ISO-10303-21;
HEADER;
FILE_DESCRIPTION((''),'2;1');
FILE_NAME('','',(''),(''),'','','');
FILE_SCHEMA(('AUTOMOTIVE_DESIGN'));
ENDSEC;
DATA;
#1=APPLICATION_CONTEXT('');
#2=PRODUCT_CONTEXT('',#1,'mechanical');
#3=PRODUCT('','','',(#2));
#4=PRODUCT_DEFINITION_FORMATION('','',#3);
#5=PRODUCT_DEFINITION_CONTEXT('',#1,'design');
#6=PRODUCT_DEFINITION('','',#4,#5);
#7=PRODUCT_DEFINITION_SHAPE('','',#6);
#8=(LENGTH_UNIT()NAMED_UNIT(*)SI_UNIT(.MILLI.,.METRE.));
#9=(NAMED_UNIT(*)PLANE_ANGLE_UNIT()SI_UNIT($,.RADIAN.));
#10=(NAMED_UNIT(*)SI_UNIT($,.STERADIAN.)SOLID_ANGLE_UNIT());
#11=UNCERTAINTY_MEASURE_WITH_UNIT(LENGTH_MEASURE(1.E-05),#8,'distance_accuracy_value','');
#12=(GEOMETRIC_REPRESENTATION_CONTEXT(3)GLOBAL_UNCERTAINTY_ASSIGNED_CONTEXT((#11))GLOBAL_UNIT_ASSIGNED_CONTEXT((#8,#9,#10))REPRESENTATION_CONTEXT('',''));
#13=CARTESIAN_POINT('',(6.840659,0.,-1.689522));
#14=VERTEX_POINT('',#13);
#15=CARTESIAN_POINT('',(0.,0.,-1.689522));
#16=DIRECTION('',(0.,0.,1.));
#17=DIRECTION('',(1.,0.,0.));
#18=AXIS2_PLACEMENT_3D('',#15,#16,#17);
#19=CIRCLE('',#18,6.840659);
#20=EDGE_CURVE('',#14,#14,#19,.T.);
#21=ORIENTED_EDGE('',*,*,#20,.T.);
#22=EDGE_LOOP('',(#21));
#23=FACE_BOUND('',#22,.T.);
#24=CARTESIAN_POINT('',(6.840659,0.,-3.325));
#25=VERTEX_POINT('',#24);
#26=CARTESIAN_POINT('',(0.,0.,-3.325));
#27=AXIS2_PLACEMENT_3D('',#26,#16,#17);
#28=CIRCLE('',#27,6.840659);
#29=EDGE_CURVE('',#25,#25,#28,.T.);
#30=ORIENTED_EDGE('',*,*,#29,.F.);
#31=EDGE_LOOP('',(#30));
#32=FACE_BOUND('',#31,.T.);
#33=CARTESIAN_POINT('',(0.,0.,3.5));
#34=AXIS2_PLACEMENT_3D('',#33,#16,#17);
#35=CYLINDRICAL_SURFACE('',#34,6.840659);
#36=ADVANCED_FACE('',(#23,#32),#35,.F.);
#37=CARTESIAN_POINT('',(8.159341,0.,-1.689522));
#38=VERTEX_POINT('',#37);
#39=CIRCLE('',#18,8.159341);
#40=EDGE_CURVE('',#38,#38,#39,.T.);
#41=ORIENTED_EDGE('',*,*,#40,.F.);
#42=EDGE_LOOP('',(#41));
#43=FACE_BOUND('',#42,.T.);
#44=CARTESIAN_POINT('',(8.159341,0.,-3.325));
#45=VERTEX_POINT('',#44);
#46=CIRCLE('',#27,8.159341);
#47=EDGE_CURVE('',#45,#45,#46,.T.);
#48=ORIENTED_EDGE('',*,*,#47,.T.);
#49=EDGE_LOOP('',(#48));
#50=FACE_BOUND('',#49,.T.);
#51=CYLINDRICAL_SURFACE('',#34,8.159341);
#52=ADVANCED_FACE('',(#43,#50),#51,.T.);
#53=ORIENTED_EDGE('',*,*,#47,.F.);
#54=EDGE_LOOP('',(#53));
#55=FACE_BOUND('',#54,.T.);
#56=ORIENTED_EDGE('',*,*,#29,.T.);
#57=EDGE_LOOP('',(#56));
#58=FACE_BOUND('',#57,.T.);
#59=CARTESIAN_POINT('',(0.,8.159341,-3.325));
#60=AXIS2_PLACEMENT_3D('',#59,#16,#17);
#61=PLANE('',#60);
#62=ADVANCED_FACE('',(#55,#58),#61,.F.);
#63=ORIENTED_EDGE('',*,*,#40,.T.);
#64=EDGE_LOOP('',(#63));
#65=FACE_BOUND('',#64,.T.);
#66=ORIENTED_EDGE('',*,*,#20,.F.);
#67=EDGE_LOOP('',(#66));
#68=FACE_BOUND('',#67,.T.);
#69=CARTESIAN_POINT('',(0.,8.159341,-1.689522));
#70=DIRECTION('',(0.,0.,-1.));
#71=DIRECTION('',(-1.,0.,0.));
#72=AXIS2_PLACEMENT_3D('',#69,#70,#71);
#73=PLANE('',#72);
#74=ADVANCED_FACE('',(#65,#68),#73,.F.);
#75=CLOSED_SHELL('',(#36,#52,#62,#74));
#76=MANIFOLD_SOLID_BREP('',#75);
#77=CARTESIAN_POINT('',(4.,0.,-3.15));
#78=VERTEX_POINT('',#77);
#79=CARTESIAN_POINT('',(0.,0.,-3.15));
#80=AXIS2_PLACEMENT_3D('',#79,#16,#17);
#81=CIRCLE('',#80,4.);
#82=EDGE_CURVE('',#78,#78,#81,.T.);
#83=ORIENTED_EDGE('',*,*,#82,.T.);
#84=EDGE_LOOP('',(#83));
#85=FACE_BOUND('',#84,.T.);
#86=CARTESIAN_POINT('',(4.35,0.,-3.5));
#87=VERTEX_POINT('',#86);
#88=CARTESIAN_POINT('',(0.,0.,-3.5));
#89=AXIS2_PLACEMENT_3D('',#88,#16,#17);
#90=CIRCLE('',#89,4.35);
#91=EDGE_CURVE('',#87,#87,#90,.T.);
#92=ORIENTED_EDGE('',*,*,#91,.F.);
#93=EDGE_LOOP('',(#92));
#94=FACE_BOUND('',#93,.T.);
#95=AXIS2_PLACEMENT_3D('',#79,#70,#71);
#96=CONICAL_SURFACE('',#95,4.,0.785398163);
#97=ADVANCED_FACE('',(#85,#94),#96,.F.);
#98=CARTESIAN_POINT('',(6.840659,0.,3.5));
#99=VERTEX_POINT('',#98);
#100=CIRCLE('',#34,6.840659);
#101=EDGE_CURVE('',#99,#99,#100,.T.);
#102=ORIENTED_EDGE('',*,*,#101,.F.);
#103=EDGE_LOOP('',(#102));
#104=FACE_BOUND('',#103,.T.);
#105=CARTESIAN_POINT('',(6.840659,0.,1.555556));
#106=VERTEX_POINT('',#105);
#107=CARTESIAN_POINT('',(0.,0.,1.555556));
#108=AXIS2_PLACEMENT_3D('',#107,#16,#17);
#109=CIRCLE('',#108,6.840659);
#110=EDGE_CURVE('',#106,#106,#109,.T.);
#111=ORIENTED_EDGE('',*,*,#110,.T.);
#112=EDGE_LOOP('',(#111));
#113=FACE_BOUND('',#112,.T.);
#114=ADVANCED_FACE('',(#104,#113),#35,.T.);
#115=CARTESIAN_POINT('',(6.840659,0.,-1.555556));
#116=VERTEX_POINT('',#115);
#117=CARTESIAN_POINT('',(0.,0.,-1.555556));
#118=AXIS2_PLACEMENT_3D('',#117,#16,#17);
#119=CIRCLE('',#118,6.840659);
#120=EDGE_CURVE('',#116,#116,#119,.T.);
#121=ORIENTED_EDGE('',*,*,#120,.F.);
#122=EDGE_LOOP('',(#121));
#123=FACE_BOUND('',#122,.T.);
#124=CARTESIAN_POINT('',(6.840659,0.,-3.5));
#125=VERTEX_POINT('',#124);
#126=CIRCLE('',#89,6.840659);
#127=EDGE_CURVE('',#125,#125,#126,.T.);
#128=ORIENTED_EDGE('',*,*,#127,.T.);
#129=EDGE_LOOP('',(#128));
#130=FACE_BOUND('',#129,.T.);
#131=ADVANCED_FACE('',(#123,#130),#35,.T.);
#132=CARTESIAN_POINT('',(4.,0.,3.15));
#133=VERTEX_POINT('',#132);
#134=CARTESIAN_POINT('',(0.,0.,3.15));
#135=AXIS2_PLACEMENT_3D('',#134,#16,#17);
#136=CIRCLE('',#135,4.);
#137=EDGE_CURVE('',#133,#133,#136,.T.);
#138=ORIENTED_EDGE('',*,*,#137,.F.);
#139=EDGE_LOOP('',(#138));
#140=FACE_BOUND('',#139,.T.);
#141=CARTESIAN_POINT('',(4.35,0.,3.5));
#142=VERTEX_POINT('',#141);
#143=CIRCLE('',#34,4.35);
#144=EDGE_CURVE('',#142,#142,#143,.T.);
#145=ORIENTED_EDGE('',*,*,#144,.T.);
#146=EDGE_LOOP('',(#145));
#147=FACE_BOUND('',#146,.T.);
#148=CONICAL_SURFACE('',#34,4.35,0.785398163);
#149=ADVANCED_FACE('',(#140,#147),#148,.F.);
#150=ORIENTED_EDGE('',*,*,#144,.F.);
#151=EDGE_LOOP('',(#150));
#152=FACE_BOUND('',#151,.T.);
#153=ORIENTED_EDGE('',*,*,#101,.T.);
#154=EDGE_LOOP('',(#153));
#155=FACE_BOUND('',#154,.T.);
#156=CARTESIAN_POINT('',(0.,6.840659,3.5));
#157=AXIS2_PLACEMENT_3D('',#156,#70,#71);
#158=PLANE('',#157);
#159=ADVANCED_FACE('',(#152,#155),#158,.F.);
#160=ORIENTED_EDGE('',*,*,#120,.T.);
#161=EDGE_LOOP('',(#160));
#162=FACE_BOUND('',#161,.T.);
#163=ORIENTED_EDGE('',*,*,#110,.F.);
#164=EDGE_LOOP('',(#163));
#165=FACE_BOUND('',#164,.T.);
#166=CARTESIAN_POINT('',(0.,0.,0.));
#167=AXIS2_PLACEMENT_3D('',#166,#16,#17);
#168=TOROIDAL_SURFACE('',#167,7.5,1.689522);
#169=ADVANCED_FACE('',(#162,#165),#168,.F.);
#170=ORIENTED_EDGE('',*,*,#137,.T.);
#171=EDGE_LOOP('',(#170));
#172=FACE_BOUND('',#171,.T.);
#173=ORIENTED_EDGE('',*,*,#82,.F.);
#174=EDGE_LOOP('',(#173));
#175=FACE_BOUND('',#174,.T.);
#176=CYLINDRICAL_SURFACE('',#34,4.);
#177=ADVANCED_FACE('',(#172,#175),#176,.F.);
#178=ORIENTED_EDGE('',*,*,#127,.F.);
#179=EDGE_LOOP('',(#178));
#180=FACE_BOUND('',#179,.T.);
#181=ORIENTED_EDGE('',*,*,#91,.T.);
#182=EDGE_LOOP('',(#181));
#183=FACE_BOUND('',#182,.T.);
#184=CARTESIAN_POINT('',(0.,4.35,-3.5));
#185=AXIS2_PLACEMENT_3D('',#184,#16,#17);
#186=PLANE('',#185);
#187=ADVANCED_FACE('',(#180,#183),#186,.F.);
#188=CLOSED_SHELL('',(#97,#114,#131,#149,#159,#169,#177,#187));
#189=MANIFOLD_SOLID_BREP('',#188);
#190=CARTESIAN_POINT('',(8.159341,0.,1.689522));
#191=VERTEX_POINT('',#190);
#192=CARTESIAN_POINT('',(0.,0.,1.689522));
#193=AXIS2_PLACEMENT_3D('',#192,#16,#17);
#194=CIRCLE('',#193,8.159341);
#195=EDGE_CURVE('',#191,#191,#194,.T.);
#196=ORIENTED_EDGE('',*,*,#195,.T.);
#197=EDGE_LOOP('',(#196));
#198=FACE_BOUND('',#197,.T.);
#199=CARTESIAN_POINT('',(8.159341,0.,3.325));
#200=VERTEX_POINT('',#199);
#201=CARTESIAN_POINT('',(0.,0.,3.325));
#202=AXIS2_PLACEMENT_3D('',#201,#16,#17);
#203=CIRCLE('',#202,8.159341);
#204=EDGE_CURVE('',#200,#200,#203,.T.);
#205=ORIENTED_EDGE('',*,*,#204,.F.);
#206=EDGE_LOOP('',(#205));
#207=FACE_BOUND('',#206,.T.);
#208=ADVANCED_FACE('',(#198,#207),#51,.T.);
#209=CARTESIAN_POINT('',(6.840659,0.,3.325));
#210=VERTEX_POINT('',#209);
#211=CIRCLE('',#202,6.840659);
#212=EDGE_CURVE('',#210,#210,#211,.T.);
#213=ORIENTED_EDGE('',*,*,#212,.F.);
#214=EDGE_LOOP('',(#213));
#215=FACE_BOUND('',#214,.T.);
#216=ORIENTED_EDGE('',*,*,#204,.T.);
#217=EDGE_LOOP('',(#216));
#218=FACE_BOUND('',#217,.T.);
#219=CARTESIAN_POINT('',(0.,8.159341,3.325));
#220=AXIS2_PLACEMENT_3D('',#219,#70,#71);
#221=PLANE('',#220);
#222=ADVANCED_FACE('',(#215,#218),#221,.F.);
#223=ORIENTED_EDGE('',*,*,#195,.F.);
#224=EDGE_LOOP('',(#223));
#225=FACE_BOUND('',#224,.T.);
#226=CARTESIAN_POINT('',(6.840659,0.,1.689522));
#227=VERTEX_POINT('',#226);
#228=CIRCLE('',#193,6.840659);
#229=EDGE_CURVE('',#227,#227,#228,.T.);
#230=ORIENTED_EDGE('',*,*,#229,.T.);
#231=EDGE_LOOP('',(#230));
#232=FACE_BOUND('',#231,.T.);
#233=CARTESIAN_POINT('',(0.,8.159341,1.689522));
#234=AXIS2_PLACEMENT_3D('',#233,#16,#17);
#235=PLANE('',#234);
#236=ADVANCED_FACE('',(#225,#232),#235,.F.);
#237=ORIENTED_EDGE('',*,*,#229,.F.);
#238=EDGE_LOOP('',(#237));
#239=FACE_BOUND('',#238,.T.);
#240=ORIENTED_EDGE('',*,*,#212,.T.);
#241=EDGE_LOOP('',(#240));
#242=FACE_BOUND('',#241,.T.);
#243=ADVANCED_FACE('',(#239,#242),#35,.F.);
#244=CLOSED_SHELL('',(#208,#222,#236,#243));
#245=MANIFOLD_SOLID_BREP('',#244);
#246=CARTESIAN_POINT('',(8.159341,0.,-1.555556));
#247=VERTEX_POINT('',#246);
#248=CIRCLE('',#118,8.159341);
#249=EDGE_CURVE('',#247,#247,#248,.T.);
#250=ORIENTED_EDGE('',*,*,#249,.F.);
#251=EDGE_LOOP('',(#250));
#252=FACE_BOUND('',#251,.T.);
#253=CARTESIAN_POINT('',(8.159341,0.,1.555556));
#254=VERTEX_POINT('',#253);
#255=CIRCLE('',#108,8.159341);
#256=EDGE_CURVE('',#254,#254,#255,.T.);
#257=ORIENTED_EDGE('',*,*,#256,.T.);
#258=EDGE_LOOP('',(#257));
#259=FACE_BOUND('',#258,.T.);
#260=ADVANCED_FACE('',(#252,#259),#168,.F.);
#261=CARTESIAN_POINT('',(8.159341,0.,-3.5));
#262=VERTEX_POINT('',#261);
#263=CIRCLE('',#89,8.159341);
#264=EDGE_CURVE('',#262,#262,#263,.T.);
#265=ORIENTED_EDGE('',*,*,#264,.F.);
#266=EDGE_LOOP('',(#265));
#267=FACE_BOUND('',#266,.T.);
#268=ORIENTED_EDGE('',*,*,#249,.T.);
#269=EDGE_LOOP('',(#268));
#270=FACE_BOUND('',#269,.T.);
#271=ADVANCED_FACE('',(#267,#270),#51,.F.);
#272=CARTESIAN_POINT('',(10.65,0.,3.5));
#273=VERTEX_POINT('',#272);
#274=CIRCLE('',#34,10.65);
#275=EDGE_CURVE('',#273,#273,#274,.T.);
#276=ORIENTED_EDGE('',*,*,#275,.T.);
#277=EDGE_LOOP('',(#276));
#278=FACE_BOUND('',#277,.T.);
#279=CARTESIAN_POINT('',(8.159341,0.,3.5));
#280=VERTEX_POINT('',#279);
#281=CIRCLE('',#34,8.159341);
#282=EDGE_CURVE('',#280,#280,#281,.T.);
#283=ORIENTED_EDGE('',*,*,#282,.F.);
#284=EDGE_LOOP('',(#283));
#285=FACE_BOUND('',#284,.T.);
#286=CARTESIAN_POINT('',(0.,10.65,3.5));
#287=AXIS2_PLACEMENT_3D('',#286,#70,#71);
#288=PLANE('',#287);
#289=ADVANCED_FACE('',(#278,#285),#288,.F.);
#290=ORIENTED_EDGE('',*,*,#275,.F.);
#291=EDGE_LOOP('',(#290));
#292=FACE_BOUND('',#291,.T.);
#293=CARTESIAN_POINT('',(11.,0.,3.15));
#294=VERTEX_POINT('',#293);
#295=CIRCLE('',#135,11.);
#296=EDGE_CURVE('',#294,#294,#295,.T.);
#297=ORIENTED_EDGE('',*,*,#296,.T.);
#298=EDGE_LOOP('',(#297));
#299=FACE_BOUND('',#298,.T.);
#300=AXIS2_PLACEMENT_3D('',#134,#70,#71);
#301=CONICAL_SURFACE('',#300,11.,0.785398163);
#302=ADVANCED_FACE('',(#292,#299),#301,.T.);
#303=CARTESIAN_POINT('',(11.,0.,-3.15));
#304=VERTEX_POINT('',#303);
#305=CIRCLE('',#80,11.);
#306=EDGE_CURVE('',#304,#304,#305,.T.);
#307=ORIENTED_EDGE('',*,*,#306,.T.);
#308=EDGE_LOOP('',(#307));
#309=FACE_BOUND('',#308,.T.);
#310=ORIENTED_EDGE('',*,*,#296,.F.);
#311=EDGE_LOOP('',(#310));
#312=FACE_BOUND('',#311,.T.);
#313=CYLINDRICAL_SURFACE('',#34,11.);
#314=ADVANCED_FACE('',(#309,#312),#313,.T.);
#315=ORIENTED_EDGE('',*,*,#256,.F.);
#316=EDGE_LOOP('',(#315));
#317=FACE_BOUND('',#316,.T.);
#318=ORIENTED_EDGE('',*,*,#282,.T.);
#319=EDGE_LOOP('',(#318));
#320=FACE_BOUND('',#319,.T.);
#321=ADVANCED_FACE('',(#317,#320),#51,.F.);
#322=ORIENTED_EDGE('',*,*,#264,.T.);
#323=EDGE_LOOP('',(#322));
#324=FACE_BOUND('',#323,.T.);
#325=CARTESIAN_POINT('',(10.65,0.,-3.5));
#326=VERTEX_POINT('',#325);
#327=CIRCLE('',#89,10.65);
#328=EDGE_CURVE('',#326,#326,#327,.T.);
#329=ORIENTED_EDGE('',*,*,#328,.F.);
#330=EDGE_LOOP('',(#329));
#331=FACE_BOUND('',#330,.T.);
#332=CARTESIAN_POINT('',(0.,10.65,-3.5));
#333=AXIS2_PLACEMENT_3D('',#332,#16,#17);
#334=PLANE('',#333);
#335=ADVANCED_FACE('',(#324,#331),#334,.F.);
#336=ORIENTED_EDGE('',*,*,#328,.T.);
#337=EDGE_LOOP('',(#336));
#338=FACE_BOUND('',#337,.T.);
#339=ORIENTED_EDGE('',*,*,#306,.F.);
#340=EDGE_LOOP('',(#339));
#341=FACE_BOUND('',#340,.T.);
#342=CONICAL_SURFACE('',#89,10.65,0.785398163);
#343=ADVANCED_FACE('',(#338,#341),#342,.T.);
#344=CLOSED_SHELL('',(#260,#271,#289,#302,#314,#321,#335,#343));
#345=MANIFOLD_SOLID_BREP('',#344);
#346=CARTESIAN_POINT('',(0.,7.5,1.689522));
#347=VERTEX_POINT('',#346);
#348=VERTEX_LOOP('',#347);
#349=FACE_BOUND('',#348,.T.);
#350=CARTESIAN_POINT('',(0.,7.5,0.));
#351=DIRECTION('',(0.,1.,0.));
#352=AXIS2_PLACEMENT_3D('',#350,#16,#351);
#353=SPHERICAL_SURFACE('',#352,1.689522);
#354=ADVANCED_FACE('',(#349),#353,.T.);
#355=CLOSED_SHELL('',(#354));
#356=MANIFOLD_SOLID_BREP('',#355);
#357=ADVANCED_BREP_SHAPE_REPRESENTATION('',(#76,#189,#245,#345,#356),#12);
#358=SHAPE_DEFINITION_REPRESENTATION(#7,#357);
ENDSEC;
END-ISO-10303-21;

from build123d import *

# Parameters (mm, degrees)
SKETCH6_W = 1.635478413
SKETCH6_H = 1.318681318


with BuildPart() as part:
    # Sketch1 → Revolve1 (revolve)
    with BuildSketch(Plane(origin=(0, 0, 0), x_dir=(0, 0, -1), z_dir=(1, 0, 0)), mode=Mode.PRIVATE) as revolve1_sk:
        with BuildLine():
            Line((3.15, 11), (-3.15, 11))
            Line((-3.15, 11), (-3.5, 10.65))
            Line((-3.5, 10.65), (-3.5, 8.159340659))
            Line((-3.5, 8.159340659), (-1.555555556, 8.159340659))
            ThreePointArc((-1.555555556, 8.159340659), (0, 9.189521587), (1.555555556, 8.159340659))
            Line((1.555555556, 8.159340659), (3.5, 8.159340659))
            Line((3.5, 8.159340659), (3.5, 10.65))
            Line((3.5, 10.65), (3.15, 11))
        make_face()
    revolve(revolve1_sk.sketch.rotate(Axis((0, 0, 3.5), (0, 0, -1)), 90), axis=Axis((0, 0, 3.5), (0, 0, -1)))


with BuildPart() as body_2:
    # Sketch3 → Revolve3 (revolve)
    with BuildSketch(Plane(origin=(0, 0, 0), x_dir=(0, 0, -1), z_dir=(1, 0, 0)), mode=Mode.PRIVATE) as revolve3_sk:
        with BuildLine():
            Line((-3.5, 6.840659341), (-1.555555556, 6.840659341))
            ThreePointArc((-1.555555556, 6.840659341), (0, 5.810478413), (1.555555556, 6.840659341))
            Line((1.555555556, 6.840659341), (3.5, 6.840659341))
            Line((3.5, 6.840659341), (3.5, 4.35))
            Line((3.5, 4.35), (3.15, 4))
            Line((3.15, 4), (-3.15, 4))
            Line((-3.15, 4), (-3.5, 4.35))
            Line((-3.5, 4.35), (-3.5, 6.840659341))
        make_face()
    revolve(revolve3_sk.sketch.rotate(Axis((0, 0, 3.5), (0, 0, -1)), 90), axis=Axis((0, 0, 3.5), (0, 0, -1)))


with BuildPart() as body_3:
    # Sketch4 → Revolve4 (revolve)
    with BuildSketch(Plane(origin=(0, 0, 0), x_dir=(0, 0, -1), z_dir=(1, 0, 0))):
        with BuildLine():
            Line((-1.689521587, 7.5), (1.689521587, 7.5))
            ThreePointArc((1.689521587, 7.5), (0, 9.189521587), (-1.689521587, 7.5))
        make_face()
    revolve(axis=Axis((0, 7.5, 1.689521587), (0, 0, -1)))


with BuildPart() as body_4:
    # Sketch6 → Revolve5 (revolve)
    with BuildSketch(Plane(origin=(0, 0, 0), x_dir=(0, 0, -1), z_dir=(1, 0, 0)), mode=Mode.PRIVATE) as revolve5_sk:
        with Locations((-2.507260794, 7.5)):
            Rectangle(SKETCH6_W, SKETCH6_H)
        with Locations((2.507260794, 7.5)):
            Rectangle(SKETCH6_W, SKETCH6_H)
    revolve(revolve5_sk.sketch.rotate(Axis((0, 0, 3.5), (0, 0, -1)), 90), axis=Axis((0, 0, 3.5), (0, 0, -1)))


solid = Compound([part.part, body_2.part, body_3.part, body_4.part])
